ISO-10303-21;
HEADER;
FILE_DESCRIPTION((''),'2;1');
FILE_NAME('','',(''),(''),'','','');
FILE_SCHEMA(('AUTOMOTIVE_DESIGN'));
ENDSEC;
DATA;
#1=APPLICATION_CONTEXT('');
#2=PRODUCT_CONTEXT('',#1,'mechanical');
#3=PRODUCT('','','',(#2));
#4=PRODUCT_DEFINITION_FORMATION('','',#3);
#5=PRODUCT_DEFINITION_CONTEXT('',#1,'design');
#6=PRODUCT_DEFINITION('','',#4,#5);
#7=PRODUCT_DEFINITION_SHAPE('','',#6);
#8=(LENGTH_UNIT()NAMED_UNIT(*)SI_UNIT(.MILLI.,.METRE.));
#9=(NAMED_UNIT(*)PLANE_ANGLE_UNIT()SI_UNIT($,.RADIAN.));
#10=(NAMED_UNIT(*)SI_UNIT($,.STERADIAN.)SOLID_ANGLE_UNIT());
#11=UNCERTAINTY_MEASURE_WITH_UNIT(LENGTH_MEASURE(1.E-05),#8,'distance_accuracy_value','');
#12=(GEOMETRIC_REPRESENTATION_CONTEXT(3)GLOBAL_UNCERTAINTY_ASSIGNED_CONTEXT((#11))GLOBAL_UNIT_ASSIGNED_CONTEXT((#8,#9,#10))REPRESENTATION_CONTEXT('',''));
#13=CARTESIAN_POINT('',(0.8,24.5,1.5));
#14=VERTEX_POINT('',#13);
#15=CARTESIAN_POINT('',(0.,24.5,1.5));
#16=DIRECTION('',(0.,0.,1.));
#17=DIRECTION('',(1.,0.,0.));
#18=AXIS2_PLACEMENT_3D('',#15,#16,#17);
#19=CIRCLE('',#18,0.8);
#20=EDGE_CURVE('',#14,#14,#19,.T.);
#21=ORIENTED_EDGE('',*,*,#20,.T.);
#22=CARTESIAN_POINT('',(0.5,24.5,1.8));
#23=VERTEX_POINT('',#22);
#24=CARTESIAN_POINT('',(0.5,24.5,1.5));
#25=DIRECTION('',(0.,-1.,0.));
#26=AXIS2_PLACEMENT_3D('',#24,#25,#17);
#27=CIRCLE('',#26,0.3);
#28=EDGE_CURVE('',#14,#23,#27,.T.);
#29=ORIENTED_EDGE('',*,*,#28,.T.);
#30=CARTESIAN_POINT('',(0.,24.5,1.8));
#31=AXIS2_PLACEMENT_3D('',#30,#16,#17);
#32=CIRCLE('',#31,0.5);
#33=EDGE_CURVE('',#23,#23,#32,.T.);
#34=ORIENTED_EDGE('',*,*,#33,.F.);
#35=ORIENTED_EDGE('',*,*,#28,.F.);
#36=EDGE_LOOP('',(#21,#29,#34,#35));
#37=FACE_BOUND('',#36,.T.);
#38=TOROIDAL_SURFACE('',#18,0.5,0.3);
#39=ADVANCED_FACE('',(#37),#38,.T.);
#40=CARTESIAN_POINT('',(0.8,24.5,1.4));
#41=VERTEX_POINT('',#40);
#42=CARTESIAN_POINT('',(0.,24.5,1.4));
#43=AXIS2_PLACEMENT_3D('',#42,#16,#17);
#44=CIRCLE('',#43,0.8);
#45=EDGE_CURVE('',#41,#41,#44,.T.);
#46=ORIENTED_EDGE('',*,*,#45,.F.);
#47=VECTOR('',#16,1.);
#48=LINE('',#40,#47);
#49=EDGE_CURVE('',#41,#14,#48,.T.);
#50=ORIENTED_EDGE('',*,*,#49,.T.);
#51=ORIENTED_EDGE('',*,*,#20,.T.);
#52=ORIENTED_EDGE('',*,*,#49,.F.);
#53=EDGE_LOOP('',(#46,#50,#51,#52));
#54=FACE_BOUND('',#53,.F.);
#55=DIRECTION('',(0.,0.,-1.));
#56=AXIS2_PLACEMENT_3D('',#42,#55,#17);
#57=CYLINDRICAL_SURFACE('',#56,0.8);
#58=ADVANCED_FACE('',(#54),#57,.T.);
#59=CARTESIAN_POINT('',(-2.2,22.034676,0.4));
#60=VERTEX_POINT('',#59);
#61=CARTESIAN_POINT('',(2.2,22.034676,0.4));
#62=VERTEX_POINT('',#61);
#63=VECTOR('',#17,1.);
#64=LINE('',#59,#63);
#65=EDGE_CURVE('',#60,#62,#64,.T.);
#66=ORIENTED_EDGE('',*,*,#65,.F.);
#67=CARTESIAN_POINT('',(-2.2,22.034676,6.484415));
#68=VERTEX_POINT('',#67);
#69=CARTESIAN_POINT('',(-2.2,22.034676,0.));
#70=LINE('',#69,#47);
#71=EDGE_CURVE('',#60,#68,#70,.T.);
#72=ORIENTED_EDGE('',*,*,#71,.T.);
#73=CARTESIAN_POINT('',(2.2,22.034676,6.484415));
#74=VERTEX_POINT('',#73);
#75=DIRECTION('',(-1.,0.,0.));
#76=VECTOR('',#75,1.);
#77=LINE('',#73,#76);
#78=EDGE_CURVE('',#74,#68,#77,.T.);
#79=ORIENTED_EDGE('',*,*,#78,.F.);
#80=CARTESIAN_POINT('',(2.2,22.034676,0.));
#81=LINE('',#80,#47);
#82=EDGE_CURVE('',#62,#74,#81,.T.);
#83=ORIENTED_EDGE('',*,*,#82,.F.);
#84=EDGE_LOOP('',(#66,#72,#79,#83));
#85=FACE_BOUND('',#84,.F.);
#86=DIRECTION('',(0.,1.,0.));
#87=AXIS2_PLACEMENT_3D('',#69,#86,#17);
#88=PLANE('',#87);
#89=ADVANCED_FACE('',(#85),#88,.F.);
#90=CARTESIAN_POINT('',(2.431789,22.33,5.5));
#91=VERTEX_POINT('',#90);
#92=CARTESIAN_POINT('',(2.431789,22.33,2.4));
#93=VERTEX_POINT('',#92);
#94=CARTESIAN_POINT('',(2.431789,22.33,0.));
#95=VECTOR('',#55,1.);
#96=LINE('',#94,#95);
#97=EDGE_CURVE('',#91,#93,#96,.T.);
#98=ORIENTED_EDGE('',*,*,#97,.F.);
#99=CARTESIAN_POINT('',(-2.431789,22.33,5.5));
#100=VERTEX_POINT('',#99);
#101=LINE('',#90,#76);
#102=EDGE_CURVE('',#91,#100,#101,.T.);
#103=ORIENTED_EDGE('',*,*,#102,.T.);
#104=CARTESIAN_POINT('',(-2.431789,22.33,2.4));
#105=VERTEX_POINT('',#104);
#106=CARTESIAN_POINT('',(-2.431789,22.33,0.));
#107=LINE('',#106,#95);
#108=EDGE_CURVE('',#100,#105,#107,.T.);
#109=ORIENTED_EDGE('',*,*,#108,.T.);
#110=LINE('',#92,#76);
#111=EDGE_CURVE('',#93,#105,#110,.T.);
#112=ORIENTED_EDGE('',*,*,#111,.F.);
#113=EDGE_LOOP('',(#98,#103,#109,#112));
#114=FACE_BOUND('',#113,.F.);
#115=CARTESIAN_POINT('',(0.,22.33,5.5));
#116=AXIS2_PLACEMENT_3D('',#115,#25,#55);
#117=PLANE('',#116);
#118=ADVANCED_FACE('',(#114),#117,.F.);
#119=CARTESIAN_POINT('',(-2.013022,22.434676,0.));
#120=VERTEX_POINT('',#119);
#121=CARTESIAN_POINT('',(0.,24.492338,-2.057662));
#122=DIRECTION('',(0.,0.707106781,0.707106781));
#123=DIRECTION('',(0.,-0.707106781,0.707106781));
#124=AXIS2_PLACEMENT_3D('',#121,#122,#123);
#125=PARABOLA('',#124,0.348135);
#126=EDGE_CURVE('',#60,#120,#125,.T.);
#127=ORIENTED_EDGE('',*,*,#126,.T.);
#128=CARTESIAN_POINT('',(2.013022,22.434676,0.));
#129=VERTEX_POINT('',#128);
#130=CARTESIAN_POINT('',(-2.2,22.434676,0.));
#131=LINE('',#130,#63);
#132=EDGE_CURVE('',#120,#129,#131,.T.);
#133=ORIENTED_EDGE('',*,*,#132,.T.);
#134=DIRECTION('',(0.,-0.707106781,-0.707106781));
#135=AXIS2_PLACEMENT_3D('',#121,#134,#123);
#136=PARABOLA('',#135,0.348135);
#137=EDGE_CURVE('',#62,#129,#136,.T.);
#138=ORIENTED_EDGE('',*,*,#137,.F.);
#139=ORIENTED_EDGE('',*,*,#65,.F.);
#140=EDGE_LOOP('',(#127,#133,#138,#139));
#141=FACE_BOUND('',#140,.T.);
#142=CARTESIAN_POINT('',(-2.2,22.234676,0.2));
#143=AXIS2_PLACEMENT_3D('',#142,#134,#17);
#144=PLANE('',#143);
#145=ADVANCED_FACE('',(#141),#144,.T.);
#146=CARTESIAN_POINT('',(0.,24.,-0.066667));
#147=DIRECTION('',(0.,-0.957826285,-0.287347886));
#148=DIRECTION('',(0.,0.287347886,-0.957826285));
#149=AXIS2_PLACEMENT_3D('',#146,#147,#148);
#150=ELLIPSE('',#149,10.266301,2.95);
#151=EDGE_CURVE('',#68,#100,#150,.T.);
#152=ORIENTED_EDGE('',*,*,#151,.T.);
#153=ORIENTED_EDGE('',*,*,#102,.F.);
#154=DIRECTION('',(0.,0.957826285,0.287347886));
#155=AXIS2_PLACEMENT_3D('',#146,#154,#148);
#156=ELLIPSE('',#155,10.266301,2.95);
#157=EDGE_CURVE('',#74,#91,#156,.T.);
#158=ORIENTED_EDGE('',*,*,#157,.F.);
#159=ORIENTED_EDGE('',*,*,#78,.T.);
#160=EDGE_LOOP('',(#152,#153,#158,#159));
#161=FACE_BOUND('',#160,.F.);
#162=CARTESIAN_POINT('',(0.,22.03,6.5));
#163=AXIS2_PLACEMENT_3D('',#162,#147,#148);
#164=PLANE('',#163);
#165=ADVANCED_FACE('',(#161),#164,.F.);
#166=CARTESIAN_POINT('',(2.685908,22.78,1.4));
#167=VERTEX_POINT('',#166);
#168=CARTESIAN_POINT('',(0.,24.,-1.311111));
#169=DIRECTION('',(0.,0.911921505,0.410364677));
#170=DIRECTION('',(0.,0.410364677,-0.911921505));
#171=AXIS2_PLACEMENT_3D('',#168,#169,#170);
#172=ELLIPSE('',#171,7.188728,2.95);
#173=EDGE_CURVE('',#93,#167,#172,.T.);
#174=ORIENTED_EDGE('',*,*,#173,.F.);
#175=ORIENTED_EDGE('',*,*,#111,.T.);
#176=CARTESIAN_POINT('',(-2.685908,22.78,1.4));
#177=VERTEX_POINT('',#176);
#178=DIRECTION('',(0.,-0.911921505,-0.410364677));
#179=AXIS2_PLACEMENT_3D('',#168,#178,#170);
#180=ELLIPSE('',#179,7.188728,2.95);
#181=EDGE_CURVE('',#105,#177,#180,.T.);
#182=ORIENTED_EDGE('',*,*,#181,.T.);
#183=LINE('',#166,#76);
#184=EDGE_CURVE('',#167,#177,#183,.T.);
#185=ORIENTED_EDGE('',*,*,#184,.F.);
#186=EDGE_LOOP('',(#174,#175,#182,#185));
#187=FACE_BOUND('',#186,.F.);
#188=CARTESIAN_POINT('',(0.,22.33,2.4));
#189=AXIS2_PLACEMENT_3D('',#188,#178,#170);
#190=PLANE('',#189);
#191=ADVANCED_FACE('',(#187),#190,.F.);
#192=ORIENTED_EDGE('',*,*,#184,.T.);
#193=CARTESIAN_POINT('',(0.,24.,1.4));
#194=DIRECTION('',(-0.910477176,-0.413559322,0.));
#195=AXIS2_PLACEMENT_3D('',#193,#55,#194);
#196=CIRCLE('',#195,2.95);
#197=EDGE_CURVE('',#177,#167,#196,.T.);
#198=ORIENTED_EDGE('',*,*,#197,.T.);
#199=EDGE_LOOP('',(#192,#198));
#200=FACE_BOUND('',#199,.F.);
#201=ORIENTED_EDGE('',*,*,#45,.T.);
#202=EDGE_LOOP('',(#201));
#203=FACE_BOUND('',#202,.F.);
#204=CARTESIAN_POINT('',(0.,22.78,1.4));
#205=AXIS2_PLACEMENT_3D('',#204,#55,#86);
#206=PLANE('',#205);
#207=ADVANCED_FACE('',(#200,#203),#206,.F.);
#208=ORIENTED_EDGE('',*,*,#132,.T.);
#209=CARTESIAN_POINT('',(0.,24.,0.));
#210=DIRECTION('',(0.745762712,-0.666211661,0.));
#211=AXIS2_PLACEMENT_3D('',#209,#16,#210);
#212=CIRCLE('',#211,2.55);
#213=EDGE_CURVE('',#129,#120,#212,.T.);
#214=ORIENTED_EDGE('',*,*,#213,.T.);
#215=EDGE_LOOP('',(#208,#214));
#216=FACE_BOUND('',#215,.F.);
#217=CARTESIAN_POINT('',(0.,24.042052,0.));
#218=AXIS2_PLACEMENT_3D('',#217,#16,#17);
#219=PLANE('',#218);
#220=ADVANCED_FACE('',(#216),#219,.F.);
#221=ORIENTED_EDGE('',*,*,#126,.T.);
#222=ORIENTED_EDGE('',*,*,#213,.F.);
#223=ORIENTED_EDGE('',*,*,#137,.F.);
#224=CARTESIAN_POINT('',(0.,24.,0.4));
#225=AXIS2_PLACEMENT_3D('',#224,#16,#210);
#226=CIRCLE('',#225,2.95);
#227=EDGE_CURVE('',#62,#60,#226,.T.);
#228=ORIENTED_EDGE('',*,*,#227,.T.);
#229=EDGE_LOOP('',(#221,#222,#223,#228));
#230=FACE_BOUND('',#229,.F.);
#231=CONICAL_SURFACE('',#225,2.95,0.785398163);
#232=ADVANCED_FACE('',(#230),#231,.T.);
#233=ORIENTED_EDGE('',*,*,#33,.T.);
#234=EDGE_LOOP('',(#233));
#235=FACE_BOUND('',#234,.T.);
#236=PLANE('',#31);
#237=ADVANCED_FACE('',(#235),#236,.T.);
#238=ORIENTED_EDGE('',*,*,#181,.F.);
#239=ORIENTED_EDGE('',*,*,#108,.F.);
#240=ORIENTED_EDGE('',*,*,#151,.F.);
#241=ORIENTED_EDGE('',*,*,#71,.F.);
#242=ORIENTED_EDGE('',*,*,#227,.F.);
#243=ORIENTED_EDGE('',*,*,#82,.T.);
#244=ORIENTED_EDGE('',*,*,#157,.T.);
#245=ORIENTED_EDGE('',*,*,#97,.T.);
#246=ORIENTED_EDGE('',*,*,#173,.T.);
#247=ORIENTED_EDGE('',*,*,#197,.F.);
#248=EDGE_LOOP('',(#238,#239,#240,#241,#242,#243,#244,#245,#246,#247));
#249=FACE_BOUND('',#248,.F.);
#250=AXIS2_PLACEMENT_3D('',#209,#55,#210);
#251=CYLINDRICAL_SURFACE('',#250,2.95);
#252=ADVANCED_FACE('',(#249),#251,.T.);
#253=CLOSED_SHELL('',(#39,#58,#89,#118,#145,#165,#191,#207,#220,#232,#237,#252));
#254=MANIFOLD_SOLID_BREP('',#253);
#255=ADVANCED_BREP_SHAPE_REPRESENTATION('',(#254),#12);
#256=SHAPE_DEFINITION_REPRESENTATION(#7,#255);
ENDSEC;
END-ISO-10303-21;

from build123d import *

# Parameters (mm, degrees)
PAD008_DEPTH         = 6.5
POCKET007_DEPTH      = 2.951
POCKET007_DEPTH_BACK = 2.951
SKETCH023_R          = 0.8
PAD009_DEPTH         = 0.4
FILLET001_R          = 0.3
CHAMFER007_SIZE      = 0.4


with BuildPart() as part:
    # Sketch022 → Pad008 (new body)
    with BuildSketch(Plane.XY):
        with BuildLine():
            ThreePointArc((2.2, -1.9653244007), (0, 2.95), (-2.2, -1.9653244007))
            Line((-2.2, -1.9653244007), (2.2, -1.9653244007))
        make_face()
    extrude(amount=PAD008_DEPTH)

    # Sketch024 → Pocket007 (cut, two sides)
    with BuildSketch(Plane.YZ) as pocket007_sk:
        Polygon((-1.97, 6.5), (-1.67, 5.5), (-1.67, 2.4), (-1.22, 1.4), (4, 1.4), (4, 6.5), align=None)
    extrude(amount=-POCKET007_DEPTH, mode=Mode.SUBTRACT)
    extrude(pocket007_sk.sketch, amount=POCKET007_DEPTH_BACK, mode=Mode.SUBTRACT)

    # Sketch023 (on Face7 of Pocket007) → Pad009 (join)
    with BuildSketch(Plane.XY.offset(1.4)):
        with Locations((0, 0.5)):
            Circle(SKETCH023_R)
    extrude(amount=PAD009_DEPTH)

    # Fillet001
    fillet001_edges = [part.edges().sort_by_distance(p)[0] for p in [
        (-0.8, 0.5, 1.8),
    ]]
    fillet(fillet001_edges, radius=FILLET001_R)

    # Chamfer007
    chamfer007_edges = [part.edges().sort_by_distance(p)[0] for p in [
        (0, 2.95, 0),
        (0, -1.965324, 0),
    ]]
    chamfer(chamfer007_edges, length=CHAMFER007_SIZE)


with BuildPart() as part_1:
    # Body084 placement: moved
    add(part.part.moved(Location((0, 24, 0))))


solid = part_1.part
